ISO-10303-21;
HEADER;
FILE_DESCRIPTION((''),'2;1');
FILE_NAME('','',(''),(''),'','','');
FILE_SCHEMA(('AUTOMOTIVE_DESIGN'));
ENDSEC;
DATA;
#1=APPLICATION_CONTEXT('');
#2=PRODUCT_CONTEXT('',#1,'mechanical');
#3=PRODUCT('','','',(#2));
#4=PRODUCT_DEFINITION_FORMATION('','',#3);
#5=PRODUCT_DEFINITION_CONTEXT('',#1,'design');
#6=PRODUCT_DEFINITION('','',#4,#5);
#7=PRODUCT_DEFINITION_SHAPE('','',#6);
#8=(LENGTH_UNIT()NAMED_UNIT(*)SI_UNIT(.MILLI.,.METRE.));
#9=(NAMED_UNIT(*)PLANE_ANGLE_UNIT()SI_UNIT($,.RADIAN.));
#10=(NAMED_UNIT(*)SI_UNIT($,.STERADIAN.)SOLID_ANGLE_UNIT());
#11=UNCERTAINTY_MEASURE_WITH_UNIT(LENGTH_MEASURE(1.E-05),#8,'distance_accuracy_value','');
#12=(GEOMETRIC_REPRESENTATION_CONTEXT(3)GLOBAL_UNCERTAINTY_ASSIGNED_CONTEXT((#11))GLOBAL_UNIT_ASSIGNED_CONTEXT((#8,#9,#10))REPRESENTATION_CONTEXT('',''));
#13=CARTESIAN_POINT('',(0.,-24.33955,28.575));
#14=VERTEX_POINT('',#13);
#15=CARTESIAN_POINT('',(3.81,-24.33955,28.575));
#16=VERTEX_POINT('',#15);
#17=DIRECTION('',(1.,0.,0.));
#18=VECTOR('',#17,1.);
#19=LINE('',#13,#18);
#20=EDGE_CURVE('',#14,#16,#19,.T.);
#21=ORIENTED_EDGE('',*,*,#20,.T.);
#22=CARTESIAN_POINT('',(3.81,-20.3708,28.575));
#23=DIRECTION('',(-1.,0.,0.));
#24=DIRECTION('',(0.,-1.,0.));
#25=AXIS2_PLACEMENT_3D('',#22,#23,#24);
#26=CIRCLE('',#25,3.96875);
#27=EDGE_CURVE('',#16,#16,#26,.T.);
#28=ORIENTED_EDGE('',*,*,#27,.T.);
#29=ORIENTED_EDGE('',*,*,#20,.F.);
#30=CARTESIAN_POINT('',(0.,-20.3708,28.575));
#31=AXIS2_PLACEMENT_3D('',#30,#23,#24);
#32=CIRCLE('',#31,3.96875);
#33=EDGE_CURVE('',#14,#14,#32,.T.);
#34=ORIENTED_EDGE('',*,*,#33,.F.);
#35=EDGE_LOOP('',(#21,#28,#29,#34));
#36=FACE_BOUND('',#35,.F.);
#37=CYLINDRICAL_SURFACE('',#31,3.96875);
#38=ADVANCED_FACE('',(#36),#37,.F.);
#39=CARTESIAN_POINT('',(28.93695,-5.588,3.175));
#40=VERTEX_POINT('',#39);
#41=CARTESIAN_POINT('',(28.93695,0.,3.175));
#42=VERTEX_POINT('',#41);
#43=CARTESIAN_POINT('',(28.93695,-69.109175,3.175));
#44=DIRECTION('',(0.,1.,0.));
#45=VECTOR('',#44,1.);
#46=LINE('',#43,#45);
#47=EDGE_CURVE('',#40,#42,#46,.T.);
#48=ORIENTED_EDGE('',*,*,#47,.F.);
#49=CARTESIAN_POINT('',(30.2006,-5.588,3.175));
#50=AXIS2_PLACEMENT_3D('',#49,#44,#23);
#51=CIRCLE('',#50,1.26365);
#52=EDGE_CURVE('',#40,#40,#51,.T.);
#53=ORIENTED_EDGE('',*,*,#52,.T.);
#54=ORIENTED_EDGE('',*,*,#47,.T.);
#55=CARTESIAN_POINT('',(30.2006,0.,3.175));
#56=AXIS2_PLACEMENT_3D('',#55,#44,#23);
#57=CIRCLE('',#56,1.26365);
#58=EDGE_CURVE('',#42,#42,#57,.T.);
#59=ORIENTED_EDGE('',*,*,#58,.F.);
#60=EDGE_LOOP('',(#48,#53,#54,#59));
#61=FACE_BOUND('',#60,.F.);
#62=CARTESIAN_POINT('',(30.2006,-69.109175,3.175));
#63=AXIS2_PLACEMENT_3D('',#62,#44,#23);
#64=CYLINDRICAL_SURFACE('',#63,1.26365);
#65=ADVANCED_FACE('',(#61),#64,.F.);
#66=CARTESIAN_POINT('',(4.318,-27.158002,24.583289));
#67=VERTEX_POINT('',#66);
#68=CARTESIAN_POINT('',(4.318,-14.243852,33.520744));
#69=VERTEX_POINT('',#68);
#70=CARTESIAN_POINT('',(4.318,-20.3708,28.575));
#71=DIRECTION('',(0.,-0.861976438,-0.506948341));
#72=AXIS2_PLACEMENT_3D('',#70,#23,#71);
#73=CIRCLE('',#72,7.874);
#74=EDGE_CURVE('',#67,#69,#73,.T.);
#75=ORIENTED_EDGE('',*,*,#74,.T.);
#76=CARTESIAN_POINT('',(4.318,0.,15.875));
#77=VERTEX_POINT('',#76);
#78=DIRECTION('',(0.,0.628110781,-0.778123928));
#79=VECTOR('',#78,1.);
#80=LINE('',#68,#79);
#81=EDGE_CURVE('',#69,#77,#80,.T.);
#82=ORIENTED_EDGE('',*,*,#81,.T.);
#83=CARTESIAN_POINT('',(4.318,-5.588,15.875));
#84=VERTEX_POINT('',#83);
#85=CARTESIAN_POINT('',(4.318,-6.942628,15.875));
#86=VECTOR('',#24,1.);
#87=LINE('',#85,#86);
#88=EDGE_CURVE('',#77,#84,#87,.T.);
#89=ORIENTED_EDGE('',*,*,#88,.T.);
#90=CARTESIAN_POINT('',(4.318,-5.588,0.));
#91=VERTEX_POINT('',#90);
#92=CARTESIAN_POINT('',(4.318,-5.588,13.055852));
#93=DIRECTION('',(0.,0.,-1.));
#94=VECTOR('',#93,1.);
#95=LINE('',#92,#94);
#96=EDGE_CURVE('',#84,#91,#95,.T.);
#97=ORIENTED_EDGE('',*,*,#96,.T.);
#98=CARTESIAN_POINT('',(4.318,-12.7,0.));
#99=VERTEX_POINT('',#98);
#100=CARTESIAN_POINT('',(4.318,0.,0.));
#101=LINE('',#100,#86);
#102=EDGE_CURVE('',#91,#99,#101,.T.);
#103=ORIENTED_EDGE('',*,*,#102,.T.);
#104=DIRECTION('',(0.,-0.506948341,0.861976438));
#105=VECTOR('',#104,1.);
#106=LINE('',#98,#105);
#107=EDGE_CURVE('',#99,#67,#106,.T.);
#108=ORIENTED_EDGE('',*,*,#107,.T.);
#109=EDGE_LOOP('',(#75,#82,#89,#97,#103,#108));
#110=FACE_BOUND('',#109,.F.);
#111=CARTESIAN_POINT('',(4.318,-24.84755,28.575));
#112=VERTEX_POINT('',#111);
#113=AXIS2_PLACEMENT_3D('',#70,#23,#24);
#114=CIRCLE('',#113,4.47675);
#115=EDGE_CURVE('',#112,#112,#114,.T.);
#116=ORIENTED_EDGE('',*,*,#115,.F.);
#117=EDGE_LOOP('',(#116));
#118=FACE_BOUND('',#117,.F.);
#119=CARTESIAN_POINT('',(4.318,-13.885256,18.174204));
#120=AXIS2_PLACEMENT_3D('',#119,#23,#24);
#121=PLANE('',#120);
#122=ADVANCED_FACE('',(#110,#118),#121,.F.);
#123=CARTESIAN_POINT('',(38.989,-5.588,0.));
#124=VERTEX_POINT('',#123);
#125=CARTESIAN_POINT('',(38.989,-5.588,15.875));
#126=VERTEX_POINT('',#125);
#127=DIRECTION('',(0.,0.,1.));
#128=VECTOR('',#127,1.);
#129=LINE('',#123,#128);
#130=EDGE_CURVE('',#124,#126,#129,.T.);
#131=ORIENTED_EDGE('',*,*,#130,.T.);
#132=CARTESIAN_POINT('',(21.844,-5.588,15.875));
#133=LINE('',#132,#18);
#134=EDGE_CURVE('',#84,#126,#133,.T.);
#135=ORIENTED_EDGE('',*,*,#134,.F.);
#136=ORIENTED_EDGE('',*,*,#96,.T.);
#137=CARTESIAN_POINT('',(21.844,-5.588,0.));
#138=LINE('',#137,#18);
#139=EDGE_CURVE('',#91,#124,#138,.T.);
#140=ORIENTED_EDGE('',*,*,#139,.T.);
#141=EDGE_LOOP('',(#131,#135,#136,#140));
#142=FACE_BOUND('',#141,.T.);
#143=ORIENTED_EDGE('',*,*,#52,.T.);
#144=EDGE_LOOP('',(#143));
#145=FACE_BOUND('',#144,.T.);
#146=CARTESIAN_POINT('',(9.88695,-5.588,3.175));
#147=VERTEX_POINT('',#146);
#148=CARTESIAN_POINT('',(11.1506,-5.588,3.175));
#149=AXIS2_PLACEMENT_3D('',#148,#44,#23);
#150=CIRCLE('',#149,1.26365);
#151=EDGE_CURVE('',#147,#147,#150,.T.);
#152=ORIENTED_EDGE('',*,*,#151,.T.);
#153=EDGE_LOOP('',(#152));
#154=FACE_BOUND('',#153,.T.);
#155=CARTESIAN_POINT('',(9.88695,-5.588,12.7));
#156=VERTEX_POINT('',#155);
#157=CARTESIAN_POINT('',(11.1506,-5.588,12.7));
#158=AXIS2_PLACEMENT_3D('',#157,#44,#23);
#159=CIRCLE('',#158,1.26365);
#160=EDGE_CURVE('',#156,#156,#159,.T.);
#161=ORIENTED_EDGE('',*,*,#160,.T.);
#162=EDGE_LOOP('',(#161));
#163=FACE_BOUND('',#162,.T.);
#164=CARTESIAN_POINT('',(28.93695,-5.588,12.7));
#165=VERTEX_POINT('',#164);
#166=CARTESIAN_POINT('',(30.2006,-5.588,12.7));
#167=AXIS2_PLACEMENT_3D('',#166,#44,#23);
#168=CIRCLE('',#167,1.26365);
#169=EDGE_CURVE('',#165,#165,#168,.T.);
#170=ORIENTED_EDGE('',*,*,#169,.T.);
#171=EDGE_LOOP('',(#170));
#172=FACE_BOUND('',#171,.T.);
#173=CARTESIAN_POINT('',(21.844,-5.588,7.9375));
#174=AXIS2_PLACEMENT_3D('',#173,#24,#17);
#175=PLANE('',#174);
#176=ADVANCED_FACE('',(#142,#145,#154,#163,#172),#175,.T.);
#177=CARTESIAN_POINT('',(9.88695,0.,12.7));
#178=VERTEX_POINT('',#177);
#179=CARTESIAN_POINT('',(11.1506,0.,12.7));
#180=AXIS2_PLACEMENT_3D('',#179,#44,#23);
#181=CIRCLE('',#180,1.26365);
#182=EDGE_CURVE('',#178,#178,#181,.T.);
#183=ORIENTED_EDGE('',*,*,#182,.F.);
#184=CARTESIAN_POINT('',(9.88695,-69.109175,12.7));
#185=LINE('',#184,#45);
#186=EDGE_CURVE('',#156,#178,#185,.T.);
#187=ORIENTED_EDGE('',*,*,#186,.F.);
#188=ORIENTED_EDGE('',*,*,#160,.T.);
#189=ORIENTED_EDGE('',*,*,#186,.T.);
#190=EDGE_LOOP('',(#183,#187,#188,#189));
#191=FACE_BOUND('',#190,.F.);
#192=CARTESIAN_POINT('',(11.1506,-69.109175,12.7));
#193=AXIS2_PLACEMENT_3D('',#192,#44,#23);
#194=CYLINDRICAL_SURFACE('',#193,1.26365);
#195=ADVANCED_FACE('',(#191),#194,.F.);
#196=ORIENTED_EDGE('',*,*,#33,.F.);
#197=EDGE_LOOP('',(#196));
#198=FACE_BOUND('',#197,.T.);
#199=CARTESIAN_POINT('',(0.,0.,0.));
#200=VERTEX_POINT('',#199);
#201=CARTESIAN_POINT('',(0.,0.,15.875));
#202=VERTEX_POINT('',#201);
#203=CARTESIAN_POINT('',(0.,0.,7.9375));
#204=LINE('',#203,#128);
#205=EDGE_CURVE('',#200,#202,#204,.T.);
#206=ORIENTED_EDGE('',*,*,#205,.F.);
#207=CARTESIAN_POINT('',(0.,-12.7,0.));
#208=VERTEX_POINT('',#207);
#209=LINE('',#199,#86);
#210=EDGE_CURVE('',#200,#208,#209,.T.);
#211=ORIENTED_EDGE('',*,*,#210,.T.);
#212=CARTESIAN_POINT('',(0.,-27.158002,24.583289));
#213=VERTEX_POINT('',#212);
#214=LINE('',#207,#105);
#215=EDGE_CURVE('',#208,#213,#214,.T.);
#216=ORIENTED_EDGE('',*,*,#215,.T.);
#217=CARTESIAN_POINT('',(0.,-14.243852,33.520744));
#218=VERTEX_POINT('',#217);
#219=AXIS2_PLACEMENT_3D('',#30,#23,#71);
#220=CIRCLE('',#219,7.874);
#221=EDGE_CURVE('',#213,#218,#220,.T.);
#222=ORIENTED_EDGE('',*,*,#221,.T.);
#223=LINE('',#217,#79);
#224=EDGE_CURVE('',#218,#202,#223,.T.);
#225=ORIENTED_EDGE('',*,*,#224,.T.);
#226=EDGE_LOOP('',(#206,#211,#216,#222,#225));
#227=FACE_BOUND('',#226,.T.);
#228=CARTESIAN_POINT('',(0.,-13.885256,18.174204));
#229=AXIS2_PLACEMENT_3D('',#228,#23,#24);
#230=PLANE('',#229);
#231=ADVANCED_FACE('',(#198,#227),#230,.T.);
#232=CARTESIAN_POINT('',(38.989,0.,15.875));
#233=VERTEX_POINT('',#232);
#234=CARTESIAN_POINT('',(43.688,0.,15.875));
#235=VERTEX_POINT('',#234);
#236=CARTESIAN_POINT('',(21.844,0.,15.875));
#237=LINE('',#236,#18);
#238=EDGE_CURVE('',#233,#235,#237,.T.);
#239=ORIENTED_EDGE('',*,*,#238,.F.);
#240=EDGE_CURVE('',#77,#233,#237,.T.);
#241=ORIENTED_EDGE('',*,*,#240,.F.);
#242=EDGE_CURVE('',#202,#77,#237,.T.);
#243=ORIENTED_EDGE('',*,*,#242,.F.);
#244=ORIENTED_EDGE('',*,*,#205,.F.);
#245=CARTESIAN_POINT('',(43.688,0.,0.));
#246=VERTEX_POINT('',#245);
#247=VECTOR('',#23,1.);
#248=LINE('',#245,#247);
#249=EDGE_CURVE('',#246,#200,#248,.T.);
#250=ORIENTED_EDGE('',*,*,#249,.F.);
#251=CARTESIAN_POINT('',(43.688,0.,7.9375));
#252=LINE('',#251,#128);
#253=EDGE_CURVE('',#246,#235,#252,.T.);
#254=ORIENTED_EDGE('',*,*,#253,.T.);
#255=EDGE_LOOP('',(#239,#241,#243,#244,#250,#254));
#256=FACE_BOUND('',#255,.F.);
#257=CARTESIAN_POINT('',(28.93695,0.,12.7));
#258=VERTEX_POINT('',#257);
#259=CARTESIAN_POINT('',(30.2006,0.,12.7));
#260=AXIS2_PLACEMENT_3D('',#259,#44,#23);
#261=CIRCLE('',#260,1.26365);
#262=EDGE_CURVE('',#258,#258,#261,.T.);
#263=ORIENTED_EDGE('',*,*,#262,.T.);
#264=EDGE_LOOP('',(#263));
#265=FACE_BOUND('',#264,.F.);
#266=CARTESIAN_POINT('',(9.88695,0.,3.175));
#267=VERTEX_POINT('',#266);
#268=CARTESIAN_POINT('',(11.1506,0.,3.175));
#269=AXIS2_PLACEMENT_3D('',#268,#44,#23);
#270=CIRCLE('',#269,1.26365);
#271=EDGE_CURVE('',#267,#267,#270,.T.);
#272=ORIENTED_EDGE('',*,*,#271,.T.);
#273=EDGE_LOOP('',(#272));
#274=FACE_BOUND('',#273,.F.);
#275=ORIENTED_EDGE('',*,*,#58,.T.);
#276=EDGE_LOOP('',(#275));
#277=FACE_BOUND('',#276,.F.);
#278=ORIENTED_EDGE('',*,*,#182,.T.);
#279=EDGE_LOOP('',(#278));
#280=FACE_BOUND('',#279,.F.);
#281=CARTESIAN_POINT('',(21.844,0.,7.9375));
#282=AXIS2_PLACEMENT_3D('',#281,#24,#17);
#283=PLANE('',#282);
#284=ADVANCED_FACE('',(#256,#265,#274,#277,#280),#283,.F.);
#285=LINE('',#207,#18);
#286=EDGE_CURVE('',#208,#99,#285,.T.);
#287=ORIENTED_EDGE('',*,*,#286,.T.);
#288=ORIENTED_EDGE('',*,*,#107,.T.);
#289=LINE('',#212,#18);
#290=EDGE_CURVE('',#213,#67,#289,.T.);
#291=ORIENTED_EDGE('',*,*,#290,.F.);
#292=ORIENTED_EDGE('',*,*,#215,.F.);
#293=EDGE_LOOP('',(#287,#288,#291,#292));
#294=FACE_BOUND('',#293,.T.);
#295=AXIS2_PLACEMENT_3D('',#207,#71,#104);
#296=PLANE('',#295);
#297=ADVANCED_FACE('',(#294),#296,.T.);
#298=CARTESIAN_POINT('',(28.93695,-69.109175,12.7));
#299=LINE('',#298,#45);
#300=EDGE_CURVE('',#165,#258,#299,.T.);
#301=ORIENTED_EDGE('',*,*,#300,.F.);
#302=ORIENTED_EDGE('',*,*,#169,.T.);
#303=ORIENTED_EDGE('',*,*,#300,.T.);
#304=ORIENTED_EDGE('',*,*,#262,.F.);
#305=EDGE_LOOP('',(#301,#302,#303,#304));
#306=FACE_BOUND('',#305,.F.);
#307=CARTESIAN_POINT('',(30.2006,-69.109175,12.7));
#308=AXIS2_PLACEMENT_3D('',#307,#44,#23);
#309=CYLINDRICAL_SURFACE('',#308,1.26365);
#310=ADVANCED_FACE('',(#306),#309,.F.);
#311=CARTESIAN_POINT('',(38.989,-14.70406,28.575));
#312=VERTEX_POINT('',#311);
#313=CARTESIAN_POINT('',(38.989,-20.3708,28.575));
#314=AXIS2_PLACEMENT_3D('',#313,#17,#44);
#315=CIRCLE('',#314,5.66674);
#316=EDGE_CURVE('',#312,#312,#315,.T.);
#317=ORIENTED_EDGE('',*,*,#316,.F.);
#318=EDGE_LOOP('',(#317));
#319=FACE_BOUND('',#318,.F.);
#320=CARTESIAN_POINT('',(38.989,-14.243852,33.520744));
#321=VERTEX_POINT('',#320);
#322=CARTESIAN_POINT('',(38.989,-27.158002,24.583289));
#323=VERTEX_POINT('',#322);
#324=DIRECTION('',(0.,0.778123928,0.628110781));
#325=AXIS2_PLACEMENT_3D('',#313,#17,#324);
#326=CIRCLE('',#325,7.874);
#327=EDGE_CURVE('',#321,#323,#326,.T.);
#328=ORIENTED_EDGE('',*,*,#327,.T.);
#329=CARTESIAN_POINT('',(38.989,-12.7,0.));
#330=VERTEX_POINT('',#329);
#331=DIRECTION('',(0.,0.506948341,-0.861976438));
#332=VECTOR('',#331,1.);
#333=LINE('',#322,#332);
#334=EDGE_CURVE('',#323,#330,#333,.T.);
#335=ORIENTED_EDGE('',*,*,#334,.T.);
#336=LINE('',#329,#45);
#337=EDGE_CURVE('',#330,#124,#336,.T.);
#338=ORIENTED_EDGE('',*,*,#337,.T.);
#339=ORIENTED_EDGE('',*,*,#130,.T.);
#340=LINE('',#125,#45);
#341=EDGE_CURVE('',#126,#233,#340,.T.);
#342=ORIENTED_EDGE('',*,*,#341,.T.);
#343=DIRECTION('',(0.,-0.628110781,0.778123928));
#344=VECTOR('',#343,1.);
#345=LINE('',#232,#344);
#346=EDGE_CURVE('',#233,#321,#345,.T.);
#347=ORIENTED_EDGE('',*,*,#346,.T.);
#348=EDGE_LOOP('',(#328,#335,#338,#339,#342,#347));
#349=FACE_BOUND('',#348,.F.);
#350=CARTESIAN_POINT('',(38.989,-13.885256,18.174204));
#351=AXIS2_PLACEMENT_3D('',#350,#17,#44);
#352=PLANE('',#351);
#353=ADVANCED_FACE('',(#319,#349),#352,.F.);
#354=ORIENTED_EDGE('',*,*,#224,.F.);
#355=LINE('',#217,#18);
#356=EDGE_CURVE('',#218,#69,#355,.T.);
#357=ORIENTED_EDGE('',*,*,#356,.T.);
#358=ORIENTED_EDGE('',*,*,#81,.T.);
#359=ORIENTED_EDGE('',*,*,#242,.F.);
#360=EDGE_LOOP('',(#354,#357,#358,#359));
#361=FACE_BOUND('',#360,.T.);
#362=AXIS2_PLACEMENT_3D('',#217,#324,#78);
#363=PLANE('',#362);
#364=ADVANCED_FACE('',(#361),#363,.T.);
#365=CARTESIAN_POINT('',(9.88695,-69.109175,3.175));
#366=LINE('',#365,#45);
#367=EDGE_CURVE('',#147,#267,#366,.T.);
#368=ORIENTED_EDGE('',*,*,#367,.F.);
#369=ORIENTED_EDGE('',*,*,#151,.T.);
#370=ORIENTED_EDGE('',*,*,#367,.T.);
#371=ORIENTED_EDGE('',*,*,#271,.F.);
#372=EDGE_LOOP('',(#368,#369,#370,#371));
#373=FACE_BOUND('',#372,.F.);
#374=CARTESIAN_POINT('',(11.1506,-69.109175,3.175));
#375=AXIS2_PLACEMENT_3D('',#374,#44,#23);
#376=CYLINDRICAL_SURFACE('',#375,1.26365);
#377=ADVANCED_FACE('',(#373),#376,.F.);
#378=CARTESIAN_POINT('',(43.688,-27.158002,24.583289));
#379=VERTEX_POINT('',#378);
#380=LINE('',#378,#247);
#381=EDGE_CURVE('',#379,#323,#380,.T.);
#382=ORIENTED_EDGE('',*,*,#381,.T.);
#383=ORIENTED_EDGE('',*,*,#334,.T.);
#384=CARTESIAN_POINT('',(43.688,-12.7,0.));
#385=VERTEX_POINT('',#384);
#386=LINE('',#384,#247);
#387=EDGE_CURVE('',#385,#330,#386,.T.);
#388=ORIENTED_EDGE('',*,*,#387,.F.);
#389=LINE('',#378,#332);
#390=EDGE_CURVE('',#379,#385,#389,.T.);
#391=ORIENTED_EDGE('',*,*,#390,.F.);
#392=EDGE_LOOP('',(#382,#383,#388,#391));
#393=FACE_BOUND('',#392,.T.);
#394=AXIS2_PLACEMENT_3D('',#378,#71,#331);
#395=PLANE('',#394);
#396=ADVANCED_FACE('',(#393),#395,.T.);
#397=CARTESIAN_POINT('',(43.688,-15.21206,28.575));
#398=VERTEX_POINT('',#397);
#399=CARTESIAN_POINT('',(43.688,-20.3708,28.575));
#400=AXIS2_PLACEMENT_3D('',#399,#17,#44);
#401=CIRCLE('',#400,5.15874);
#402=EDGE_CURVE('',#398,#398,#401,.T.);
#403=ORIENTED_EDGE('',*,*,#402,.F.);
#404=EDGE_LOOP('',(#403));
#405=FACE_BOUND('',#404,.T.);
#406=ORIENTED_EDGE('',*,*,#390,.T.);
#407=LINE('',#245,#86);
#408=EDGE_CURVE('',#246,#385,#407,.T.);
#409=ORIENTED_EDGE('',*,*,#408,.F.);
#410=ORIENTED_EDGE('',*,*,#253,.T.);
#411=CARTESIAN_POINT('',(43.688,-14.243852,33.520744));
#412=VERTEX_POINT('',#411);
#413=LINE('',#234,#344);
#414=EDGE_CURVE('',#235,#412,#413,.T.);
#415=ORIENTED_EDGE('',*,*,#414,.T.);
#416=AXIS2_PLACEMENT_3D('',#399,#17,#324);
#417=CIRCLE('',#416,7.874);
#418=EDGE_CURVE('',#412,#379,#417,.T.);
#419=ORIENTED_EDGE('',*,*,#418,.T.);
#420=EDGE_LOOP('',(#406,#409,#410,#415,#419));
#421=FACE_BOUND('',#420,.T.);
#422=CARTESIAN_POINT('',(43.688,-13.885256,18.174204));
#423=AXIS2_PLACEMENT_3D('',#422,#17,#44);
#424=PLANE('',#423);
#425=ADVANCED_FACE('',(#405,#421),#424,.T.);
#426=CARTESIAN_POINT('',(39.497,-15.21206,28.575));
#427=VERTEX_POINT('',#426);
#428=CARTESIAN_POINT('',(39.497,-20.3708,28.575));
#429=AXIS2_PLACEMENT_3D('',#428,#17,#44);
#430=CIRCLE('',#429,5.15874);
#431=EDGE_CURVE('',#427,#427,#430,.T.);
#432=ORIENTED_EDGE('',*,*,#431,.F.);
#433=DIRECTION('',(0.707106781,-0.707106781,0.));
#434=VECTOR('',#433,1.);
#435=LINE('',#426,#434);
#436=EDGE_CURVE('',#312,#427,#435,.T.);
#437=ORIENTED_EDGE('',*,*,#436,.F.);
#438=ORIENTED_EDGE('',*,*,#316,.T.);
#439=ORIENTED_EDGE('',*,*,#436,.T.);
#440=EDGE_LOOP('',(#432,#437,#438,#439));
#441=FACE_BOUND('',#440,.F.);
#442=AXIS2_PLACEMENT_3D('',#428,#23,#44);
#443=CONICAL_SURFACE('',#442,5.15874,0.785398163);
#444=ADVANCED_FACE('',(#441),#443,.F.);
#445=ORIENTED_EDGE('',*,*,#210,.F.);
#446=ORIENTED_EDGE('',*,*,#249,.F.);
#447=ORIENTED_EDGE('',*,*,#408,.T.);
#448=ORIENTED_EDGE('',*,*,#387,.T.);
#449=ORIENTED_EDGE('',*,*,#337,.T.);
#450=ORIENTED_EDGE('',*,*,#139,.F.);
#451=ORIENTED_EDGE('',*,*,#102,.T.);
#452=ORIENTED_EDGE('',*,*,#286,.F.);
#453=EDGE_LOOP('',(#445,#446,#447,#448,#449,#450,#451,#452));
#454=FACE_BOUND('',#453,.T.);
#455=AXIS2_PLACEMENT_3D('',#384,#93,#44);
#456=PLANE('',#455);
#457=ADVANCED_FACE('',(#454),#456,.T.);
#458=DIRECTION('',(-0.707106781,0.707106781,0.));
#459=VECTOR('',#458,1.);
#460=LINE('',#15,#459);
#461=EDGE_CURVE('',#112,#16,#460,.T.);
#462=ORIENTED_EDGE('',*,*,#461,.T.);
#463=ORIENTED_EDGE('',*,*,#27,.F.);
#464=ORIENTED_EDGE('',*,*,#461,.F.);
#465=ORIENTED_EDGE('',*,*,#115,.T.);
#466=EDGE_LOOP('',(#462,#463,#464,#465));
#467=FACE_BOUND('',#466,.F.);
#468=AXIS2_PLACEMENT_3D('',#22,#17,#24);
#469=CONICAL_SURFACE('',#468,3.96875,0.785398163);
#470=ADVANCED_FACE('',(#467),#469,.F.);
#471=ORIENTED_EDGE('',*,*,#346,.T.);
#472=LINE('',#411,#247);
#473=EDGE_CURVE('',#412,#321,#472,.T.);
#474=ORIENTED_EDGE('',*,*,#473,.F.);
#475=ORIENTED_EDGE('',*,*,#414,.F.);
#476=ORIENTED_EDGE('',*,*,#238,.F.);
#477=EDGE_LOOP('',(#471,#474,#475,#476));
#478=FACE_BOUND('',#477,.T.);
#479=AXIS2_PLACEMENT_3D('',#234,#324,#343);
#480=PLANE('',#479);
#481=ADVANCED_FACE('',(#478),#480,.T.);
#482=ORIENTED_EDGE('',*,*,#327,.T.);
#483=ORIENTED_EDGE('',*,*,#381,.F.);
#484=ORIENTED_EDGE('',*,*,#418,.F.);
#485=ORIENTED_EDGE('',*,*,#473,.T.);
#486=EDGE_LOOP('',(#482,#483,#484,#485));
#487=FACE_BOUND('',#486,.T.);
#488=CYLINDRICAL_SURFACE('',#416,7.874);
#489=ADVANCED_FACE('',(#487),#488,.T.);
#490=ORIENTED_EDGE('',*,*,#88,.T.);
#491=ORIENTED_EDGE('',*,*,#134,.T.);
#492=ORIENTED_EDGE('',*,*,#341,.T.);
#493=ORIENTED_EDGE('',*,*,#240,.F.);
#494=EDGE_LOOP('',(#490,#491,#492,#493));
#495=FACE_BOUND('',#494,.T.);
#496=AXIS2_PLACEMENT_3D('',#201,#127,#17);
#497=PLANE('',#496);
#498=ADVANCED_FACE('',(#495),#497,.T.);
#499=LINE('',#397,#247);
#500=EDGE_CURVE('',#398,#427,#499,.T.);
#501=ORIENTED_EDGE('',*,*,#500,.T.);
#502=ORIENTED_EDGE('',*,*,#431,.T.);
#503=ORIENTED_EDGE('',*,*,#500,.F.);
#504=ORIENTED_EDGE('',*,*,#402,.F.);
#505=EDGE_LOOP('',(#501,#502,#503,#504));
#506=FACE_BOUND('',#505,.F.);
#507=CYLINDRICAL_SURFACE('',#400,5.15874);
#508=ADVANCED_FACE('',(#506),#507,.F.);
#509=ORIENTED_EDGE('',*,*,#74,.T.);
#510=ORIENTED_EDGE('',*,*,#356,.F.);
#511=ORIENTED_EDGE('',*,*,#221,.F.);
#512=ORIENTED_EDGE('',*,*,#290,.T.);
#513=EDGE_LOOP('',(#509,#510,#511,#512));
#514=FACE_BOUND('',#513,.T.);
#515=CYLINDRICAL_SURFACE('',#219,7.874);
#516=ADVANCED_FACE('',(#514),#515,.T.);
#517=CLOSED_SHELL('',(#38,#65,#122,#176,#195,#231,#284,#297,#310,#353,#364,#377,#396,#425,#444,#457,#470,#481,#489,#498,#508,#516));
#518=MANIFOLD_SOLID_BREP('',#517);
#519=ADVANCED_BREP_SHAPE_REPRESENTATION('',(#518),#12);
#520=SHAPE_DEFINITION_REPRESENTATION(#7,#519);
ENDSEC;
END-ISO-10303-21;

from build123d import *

# Parameters (mm, degrees)
F0_W     = 43.688
F0_H     = 15.875
F1_DEPTH = 5.588
F2_R     = 5.15874
F3_DEPTH = 4.699
F4_R     = 3.96875
F4_W     = 5.588
F4_H     = 15.875
F5_DEPTH = 4.318
F7_D     = 2.5273
F8_SIZE  = 0.508


with BuildPart() as f1:
    # F0 (on Front) → F1 (new body)
    with BuildSketch(Plane.XZ):
        with Locations((21.844, 7.9375)):
            Rectangle(F0_W, F0_H)
    extrude(amount=F1_DEPTH)

    # F2 (on face) → F3 (join)
    with BuildSketch(Plane.YZ.offset(43.688)):
        with BuildLine():
            Line((-12.7, 0), (-5.588, 0))
            Line((-5.588, 0), (-5.588, 15.875))
            Line((-5.588, 15.875), (0, 15.875))
            Line((0, 15.875), (-14.2438521908, 33.520744286))
            ThreePointArc((-14.2438521908, 33.520744286), (-24.8517052521, 35.0496709663), (-27.1580024701, 24.5832887591))
            Line((-27.1580024701, 24.5832887591), (-12.7, 0))
        make_face()
        with Locations((-20.3708, 28.575)):
            Circle(F2_R, mode=Mode.SUBTRACT)
    extrude(amount=-F3_DEPTH)

    # F4 (on face) → F5 (join)
    with BuildSketch(Plane(origin=(0, 0, 0), x_dir=(0, -1, 0), z_dir=(-1, 0, 0))):
        with BuildLine():
            Line((14.2438521908, 33.520744286), (0, 15.875))
            Line((0, 15.875), (5.588, 15.875))
            Line((5.588, 15.875), (5.588, 0))
            Line((5.588, 0), (12.7, 0))
            Line((12.7, 0), (27.1580024701, 24.5832887591))
            ThreePointArc((27.1580024701, 24.5832887591), (24.8517052521, 35.0496709663), (14.2438521908, 33.520744286))
        make_face()
        with Locations((20.3708, 28.575)):
            Circle(F4_R, mode=Mode.SUBTRACT)
        with Locations((2.794, 7.9375)):
            Rectangle(F4_W, F4_H)
    extrude(amount=-F5_DEPTH)

    # F7 (through all)
    with Locations(Plane.XZ.offset(5.588)):
        with Locations((11.1506, 12.7), (30.2006, 12.7), (30.2006, 3.175), (11.1506, 3.175)):
            Hole(F7_D / 2)

    # F8
    f8_edges = [f1.edges().sort_by_distance(p)[0] for p in [
        (4.318, -16.40205, 28.575),
        (38.989, -25.52954, 28.575),
    ]]
    chamfer(f8_edges, length=F8_SIZE)


solid = f1.part
